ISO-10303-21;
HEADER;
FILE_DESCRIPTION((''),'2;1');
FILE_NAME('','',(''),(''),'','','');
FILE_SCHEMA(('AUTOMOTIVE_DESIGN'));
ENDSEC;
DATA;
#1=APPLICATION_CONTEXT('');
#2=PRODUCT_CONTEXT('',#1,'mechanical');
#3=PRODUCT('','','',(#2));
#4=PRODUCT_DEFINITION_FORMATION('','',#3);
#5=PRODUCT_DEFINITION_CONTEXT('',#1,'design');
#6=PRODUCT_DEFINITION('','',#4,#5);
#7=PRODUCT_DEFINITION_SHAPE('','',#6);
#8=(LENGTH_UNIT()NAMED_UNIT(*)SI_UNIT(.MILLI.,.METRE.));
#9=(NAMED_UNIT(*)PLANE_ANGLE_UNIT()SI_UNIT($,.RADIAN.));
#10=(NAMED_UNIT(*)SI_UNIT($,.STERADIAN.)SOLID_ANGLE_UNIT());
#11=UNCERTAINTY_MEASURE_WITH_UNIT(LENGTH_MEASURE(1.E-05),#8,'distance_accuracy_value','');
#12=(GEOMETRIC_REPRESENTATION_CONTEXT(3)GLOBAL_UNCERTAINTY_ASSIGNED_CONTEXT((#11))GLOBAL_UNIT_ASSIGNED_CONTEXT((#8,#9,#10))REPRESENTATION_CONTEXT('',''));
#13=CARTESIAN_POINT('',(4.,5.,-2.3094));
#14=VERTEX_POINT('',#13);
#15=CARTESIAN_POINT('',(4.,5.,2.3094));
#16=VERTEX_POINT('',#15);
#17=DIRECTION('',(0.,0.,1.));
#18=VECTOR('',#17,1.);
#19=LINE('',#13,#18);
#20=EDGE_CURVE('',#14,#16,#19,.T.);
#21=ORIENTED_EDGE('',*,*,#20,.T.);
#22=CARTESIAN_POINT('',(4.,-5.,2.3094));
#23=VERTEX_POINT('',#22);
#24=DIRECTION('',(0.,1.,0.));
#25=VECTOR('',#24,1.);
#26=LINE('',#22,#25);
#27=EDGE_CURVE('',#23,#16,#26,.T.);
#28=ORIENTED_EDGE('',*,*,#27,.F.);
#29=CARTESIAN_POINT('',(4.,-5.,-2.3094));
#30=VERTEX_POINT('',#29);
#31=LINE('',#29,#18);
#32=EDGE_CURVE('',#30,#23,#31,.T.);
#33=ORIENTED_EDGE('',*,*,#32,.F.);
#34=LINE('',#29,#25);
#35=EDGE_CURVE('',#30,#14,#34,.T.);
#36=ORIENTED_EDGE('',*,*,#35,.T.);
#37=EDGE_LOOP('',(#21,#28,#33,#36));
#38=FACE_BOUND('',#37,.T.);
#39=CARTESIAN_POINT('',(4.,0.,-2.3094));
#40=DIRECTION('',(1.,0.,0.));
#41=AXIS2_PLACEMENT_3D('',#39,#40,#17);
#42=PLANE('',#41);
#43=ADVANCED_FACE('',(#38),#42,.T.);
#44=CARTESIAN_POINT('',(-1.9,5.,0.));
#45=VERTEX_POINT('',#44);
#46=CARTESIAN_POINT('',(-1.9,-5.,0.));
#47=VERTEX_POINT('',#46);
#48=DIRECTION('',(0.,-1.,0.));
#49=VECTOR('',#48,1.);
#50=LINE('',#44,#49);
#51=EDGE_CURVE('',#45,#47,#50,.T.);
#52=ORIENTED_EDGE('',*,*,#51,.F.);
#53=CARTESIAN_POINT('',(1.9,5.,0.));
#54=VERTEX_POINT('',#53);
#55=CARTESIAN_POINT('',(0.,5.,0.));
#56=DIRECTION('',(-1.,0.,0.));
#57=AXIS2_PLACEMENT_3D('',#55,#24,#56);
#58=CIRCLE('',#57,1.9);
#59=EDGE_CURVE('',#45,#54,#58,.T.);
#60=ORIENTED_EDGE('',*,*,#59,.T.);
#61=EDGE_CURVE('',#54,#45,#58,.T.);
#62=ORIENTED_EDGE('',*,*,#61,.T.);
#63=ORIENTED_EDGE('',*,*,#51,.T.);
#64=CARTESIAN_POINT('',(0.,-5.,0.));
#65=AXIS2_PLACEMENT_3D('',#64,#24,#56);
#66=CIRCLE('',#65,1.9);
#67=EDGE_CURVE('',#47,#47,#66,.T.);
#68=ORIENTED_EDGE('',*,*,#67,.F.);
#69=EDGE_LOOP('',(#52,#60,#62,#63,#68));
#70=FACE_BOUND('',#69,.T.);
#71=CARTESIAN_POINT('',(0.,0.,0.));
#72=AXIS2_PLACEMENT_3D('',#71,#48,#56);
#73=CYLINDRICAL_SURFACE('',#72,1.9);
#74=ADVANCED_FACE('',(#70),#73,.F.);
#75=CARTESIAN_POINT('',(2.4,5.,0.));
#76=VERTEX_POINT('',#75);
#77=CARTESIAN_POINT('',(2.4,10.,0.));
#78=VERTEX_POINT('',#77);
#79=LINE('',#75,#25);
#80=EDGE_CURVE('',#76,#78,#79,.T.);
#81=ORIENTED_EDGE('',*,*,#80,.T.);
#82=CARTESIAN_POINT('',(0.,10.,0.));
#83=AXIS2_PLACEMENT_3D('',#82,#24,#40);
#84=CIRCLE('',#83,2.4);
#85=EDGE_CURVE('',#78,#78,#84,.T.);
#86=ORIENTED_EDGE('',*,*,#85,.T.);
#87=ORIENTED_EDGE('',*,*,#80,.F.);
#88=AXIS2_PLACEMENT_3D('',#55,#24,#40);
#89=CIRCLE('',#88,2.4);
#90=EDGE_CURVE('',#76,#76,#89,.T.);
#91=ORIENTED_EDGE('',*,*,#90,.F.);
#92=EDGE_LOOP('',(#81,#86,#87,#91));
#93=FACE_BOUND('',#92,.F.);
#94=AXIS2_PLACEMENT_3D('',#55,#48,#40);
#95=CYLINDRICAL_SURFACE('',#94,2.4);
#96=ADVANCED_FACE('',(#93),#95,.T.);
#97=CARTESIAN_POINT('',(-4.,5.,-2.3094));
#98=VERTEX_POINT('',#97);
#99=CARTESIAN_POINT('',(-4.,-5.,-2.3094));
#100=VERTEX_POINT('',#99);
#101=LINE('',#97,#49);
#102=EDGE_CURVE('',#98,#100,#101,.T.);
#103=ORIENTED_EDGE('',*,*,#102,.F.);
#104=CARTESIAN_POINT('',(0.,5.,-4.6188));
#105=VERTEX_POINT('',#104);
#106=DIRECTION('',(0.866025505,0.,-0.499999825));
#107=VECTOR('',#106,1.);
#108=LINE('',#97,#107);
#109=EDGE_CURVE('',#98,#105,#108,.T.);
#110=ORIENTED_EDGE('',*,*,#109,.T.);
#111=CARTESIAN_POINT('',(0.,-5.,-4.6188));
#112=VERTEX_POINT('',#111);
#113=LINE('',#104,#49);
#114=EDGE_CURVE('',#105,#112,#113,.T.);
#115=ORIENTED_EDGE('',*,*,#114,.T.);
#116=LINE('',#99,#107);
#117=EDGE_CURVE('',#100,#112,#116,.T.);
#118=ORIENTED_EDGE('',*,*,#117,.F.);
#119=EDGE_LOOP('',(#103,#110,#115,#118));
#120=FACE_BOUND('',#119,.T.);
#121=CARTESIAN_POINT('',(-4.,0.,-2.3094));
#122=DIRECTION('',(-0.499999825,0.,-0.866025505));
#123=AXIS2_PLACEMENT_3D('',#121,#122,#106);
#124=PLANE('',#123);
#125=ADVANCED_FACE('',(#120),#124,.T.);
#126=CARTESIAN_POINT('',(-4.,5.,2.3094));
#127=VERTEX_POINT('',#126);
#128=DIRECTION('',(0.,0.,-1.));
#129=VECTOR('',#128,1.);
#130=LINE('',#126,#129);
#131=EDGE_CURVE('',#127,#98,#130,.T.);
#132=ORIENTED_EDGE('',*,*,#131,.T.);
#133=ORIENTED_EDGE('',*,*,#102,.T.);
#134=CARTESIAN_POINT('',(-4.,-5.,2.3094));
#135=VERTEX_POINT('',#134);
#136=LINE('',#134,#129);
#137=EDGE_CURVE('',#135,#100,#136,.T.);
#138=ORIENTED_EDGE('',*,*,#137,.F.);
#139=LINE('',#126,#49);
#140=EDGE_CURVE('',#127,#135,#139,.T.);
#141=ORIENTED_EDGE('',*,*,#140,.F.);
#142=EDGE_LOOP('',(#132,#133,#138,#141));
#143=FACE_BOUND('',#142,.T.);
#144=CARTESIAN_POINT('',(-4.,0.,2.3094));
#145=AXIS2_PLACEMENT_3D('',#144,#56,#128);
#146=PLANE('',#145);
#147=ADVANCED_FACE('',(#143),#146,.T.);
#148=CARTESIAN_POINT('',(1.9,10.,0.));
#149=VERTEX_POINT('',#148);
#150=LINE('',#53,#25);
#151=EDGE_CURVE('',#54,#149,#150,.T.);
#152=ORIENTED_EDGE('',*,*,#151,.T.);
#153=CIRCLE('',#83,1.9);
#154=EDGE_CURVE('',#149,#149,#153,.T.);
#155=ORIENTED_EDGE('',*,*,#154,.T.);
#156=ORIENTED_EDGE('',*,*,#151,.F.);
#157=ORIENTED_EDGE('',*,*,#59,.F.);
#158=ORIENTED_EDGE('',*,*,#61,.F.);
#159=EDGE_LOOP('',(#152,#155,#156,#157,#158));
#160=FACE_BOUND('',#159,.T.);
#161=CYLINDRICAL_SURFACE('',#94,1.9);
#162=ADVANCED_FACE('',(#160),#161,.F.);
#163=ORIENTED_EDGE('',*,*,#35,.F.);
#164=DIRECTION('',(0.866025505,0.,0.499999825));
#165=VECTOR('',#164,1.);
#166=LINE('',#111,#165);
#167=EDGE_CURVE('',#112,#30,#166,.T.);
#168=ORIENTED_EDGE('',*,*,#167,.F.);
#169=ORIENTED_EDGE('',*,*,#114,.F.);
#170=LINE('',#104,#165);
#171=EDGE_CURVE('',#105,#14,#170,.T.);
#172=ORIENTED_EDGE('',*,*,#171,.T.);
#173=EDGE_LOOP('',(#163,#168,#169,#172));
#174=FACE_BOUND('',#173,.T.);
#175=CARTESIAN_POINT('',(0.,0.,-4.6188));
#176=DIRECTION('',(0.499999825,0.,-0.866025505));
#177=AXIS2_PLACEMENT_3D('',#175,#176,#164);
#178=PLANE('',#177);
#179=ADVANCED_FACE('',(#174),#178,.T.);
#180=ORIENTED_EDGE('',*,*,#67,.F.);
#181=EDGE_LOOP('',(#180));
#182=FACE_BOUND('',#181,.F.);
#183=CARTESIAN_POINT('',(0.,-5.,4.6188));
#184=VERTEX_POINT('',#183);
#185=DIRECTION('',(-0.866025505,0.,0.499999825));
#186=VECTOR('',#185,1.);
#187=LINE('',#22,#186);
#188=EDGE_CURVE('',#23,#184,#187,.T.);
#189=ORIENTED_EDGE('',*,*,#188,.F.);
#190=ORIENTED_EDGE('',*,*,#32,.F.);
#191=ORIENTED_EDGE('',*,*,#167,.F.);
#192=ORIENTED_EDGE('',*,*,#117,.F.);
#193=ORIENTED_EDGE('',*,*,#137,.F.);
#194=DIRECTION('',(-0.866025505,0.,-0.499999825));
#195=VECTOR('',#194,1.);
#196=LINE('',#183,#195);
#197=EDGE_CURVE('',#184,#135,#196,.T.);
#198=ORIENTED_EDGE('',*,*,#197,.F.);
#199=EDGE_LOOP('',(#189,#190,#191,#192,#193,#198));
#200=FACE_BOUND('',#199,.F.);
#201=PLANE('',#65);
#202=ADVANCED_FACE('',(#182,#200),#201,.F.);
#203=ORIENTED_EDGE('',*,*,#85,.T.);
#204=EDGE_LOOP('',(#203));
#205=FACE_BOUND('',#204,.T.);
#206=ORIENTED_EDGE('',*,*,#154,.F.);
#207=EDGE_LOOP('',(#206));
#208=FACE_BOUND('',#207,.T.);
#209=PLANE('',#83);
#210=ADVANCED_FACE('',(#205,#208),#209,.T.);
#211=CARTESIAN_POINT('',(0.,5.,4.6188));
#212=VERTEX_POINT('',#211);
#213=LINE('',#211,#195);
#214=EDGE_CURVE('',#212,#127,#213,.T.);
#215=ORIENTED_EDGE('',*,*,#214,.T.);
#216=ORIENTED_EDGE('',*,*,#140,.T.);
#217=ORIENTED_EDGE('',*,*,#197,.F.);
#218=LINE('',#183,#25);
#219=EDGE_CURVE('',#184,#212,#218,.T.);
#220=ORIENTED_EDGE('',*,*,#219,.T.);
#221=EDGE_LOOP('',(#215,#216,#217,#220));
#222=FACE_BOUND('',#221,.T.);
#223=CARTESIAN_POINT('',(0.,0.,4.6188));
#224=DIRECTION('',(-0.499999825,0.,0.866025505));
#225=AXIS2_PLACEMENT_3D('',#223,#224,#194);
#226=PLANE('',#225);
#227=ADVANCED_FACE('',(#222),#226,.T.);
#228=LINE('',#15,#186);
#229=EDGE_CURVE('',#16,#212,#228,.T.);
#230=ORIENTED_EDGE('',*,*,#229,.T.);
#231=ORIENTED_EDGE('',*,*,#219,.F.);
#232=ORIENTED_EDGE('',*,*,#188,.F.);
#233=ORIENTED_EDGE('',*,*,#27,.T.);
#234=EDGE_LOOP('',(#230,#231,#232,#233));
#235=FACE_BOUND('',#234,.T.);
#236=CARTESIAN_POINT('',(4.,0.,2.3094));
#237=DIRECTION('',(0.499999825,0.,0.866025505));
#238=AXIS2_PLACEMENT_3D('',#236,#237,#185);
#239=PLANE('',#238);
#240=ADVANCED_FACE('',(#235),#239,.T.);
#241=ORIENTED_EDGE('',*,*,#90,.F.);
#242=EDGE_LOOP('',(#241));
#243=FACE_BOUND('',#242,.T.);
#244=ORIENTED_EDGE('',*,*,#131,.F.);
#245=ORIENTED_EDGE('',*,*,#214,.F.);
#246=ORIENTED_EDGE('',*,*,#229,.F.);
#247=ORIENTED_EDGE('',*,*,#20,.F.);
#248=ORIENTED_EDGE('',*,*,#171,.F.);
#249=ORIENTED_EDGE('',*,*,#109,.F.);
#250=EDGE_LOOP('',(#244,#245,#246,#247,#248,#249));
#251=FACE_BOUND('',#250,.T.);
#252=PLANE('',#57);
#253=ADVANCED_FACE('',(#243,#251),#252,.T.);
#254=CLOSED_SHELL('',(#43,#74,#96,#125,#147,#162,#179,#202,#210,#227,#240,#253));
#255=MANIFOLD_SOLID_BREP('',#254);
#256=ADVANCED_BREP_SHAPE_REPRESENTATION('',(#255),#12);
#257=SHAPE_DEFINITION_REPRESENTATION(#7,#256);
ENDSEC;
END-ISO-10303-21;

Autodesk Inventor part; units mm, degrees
ref_plane "YZ Plane" through (0, 0, 0) normal (1, 0, 0) x (0, 1, 0)
ref_plane "XZ Plane" through (0, 0, 0) normal (0, 1, 0) x (-1, 0, 0)
ref_plane "XY Plane" through (0, 0, 0) normal (0, 0, 1) x (1, 0, 0)
sketch "Boceto1" plane through (0, 0, 0) normal (0, 1, 0) x (-1, 0, 0)
  line L0 (0, 4.6188) -> (4, 2.3094)
  line L1 (4, 2.3094) -> (4, -2.3094)
  line L2 (4, -2.3094) -> (0, -4.6188)
  line L3 (0, -4.6188) -> (-4, -2.3094)
  line L4 (-4, -2.3094) -> (-4, 2.3094)
  line L5 (-4, 2.3094) -> (0, 4.6188)
  circle A0 centre (0, 0) radius 1.9
  point P0 (4, 0)
  dimension "d0" = 3.8
  dimension "d2" = 4
extrude "Extrusión1" add sketch "Boceto1" along normal mid plane 10
sketch "Boceto2" plane through (0, 5, 0) normal (0, 1, 0) x (1, 0, 0)
  circle A0 centre (0, 0) radius 1.9 projected
  circle A1 centre (0, 0) radius 2.4
  dimension "d5" = 4.8
extrude "Extrusión2" add sketch "Boceto2" along normal blind 5
properties part number "expansor de conexion"
